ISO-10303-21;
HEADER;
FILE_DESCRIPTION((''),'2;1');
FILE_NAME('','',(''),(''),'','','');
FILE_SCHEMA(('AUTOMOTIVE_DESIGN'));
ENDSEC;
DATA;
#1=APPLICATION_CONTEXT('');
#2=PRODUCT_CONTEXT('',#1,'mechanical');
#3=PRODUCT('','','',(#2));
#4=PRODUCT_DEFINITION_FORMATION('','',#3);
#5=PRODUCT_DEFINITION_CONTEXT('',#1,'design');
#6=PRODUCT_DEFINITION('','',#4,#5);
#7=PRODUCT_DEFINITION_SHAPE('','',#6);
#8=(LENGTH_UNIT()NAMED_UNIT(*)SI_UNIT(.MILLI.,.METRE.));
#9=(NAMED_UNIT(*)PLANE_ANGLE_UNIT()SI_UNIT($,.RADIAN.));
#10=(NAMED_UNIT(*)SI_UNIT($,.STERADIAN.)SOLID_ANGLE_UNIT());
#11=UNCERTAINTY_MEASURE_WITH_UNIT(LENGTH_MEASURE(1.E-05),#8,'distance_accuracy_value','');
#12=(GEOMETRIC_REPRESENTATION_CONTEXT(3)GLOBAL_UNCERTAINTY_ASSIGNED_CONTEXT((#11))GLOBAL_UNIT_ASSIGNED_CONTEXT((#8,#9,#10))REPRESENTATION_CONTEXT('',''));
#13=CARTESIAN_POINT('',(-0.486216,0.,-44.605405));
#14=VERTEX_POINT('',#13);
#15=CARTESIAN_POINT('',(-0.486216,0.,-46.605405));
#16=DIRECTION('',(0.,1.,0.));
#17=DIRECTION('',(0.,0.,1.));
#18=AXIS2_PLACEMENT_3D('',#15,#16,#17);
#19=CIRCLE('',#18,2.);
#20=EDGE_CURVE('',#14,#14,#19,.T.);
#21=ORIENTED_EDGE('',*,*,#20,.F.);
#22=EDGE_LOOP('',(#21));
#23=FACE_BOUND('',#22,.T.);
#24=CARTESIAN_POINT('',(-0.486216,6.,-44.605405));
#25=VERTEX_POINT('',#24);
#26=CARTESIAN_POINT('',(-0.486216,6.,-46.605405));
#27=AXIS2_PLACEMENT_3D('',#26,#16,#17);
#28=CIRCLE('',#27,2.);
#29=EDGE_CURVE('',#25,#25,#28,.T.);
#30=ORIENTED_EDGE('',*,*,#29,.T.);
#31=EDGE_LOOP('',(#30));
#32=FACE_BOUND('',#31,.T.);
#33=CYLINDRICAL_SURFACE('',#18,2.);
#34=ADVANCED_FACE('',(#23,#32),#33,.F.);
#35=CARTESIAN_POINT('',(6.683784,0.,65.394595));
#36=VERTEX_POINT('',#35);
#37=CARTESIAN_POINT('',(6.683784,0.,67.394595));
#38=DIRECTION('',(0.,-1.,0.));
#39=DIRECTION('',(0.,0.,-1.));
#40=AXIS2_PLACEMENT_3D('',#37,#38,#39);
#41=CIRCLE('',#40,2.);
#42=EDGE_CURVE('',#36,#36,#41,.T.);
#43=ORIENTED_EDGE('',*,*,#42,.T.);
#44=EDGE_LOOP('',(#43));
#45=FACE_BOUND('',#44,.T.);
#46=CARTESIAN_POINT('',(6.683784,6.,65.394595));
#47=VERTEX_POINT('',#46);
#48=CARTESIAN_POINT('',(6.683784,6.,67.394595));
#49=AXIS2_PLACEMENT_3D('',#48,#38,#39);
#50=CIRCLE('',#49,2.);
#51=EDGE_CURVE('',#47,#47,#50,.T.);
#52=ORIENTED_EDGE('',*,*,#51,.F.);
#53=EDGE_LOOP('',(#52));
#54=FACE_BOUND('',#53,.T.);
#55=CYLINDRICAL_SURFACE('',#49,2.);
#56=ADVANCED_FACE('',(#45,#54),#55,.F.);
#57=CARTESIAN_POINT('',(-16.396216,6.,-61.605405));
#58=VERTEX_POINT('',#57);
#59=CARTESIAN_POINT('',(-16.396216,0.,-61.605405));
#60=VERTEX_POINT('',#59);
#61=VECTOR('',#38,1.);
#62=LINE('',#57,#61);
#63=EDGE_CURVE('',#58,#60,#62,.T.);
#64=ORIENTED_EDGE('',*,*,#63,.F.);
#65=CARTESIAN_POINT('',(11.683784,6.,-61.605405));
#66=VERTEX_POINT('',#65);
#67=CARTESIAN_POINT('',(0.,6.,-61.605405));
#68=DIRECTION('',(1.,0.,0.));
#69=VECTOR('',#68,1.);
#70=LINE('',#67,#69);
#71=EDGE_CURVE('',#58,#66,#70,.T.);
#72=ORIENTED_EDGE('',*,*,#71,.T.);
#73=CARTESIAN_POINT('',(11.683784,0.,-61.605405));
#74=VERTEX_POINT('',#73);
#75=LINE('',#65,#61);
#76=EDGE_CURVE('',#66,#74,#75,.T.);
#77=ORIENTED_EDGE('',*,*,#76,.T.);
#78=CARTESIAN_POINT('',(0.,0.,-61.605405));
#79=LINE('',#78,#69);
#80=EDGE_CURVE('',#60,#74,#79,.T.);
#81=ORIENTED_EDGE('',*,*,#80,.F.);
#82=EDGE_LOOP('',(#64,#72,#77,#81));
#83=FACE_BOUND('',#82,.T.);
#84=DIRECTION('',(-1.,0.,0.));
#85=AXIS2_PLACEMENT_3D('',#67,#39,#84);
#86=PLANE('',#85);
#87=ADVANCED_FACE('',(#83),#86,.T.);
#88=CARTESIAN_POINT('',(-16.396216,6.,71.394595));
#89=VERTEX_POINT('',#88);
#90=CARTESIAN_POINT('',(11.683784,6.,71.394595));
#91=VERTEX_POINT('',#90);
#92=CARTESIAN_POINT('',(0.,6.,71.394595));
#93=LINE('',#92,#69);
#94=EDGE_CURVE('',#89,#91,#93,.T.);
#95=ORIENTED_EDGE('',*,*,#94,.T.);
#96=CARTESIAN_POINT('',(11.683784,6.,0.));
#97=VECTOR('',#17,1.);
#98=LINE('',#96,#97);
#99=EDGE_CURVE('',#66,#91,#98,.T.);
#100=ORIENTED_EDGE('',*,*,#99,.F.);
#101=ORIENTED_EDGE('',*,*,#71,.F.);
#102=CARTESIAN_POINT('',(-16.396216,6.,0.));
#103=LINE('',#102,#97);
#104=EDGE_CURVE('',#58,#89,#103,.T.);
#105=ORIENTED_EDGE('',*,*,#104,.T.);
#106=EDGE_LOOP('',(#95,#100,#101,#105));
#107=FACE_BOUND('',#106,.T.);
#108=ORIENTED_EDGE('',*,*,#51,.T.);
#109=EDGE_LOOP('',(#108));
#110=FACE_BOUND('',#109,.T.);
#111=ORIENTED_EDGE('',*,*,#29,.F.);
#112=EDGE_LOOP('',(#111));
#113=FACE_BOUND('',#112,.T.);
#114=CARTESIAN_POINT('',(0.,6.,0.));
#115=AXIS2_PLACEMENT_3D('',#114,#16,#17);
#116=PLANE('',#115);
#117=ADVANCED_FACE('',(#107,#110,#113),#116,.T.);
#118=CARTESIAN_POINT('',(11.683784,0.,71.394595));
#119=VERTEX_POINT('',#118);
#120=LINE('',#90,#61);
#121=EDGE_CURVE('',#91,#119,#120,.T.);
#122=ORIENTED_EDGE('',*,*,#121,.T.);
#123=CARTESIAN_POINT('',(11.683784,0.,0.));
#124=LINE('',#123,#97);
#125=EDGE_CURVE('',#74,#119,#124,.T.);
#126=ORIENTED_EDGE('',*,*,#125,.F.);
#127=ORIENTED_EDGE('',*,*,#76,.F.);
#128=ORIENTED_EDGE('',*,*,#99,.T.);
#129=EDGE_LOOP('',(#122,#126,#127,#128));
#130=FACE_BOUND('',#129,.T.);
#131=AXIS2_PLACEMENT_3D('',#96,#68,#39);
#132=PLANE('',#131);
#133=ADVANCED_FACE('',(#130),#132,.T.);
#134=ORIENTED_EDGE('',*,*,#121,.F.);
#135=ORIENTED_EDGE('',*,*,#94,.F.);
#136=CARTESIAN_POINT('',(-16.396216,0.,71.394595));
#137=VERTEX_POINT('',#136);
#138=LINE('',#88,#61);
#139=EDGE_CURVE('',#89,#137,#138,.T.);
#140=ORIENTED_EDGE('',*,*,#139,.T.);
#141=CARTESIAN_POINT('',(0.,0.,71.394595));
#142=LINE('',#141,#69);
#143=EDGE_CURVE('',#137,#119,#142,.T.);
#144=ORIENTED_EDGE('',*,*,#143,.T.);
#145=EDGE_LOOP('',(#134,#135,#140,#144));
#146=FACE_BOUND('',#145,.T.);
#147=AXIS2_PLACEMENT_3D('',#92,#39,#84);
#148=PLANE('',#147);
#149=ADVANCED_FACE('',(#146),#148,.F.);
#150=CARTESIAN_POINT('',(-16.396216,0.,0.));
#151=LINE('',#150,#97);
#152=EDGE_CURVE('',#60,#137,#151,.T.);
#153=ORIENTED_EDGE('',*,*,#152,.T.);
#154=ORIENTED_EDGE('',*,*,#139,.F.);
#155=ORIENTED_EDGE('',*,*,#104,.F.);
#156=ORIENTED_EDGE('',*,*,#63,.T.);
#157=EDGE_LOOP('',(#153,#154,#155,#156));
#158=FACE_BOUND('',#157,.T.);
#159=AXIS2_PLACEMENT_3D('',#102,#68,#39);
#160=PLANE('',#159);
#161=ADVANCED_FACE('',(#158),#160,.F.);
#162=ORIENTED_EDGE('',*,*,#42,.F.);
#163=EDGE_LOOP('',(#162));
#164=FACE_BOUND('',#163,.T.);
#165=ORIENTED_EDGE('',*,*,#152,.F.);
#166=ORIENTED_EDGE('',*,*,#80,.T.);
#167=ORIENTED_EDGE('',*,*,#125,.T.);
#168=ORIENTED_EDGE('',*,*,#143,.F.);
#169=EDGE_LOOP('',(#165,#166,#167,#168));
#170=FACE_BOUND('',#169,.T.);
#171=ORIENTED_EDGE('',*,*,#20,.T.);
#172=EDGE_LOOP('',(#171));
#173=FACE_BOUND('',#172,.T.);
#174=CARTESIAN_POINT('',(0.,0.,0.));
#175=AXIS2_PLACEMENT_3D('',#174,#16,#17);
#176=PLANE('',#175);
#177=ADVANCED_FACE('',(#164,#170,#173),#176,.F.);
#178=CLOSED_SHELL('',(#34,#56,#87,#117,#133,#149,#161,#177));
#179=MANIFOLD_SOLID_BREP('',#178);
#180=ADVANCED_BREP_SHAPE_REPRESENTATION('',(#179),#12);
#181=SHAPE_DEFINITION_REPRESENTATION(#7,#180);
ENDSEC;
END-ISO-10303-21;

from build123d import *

# Parameters (mm, degrees)
SKETCH1_W           = 28.08
SKETCH1_H           = 133
BOSS_EXTRUDE1_DEPTH = 6
SKETCH2_R           = 2
CUT_EXTRUDE1_DEPTH  = 74.498462865
SKETCH3_R           = 2
CUT_EXTRUDE2_DEPTH  = 74.498462865


with BuildPart() as part:
    # Sketch1 → Boss-Extrude1 (new body)
    with BuildSketch(Plane(origin=(0, 0, 0), x_dir=(1, 0, 0), z_dir=(0, 1, 0))):
        with Locations((-2.356216216, -4.894594595)):
            Rectangle(SKETCH1_W, SKETCH1_H)
    extrude(amount=BOSS_EXTRUDE1_DEPTH)

    # Sketch2 → Cut-Extrude1 (cut, through all)
    with BuildSketch(Plane(origin=(0, 6, 0), x_dir=(1, 0, 0), z_dir=(0, 1, 0))):
        with Locations(Location((-0.486216216, 46.605405405, 0), (0, 0, 270))):
            Circle(SKETCH2_R)
    extrude(amount=-CUT_EXTRUDE1_DEPTH, mode=Mode.SUBTRACT)

    # Sketch3 → Cut-Extrude2 (cut, through all)
    with BuildSketch(Plane.XZ):
        with Locations(Location((6.683783784, 67.394594595, 0), (0, 0, 270))):
            Circle(SKETCH3_R)
    extrude(amount=-CUT_EXTRUDE2_DEPTH, mode=Mode.SUBTRACT)


solid = part.part
